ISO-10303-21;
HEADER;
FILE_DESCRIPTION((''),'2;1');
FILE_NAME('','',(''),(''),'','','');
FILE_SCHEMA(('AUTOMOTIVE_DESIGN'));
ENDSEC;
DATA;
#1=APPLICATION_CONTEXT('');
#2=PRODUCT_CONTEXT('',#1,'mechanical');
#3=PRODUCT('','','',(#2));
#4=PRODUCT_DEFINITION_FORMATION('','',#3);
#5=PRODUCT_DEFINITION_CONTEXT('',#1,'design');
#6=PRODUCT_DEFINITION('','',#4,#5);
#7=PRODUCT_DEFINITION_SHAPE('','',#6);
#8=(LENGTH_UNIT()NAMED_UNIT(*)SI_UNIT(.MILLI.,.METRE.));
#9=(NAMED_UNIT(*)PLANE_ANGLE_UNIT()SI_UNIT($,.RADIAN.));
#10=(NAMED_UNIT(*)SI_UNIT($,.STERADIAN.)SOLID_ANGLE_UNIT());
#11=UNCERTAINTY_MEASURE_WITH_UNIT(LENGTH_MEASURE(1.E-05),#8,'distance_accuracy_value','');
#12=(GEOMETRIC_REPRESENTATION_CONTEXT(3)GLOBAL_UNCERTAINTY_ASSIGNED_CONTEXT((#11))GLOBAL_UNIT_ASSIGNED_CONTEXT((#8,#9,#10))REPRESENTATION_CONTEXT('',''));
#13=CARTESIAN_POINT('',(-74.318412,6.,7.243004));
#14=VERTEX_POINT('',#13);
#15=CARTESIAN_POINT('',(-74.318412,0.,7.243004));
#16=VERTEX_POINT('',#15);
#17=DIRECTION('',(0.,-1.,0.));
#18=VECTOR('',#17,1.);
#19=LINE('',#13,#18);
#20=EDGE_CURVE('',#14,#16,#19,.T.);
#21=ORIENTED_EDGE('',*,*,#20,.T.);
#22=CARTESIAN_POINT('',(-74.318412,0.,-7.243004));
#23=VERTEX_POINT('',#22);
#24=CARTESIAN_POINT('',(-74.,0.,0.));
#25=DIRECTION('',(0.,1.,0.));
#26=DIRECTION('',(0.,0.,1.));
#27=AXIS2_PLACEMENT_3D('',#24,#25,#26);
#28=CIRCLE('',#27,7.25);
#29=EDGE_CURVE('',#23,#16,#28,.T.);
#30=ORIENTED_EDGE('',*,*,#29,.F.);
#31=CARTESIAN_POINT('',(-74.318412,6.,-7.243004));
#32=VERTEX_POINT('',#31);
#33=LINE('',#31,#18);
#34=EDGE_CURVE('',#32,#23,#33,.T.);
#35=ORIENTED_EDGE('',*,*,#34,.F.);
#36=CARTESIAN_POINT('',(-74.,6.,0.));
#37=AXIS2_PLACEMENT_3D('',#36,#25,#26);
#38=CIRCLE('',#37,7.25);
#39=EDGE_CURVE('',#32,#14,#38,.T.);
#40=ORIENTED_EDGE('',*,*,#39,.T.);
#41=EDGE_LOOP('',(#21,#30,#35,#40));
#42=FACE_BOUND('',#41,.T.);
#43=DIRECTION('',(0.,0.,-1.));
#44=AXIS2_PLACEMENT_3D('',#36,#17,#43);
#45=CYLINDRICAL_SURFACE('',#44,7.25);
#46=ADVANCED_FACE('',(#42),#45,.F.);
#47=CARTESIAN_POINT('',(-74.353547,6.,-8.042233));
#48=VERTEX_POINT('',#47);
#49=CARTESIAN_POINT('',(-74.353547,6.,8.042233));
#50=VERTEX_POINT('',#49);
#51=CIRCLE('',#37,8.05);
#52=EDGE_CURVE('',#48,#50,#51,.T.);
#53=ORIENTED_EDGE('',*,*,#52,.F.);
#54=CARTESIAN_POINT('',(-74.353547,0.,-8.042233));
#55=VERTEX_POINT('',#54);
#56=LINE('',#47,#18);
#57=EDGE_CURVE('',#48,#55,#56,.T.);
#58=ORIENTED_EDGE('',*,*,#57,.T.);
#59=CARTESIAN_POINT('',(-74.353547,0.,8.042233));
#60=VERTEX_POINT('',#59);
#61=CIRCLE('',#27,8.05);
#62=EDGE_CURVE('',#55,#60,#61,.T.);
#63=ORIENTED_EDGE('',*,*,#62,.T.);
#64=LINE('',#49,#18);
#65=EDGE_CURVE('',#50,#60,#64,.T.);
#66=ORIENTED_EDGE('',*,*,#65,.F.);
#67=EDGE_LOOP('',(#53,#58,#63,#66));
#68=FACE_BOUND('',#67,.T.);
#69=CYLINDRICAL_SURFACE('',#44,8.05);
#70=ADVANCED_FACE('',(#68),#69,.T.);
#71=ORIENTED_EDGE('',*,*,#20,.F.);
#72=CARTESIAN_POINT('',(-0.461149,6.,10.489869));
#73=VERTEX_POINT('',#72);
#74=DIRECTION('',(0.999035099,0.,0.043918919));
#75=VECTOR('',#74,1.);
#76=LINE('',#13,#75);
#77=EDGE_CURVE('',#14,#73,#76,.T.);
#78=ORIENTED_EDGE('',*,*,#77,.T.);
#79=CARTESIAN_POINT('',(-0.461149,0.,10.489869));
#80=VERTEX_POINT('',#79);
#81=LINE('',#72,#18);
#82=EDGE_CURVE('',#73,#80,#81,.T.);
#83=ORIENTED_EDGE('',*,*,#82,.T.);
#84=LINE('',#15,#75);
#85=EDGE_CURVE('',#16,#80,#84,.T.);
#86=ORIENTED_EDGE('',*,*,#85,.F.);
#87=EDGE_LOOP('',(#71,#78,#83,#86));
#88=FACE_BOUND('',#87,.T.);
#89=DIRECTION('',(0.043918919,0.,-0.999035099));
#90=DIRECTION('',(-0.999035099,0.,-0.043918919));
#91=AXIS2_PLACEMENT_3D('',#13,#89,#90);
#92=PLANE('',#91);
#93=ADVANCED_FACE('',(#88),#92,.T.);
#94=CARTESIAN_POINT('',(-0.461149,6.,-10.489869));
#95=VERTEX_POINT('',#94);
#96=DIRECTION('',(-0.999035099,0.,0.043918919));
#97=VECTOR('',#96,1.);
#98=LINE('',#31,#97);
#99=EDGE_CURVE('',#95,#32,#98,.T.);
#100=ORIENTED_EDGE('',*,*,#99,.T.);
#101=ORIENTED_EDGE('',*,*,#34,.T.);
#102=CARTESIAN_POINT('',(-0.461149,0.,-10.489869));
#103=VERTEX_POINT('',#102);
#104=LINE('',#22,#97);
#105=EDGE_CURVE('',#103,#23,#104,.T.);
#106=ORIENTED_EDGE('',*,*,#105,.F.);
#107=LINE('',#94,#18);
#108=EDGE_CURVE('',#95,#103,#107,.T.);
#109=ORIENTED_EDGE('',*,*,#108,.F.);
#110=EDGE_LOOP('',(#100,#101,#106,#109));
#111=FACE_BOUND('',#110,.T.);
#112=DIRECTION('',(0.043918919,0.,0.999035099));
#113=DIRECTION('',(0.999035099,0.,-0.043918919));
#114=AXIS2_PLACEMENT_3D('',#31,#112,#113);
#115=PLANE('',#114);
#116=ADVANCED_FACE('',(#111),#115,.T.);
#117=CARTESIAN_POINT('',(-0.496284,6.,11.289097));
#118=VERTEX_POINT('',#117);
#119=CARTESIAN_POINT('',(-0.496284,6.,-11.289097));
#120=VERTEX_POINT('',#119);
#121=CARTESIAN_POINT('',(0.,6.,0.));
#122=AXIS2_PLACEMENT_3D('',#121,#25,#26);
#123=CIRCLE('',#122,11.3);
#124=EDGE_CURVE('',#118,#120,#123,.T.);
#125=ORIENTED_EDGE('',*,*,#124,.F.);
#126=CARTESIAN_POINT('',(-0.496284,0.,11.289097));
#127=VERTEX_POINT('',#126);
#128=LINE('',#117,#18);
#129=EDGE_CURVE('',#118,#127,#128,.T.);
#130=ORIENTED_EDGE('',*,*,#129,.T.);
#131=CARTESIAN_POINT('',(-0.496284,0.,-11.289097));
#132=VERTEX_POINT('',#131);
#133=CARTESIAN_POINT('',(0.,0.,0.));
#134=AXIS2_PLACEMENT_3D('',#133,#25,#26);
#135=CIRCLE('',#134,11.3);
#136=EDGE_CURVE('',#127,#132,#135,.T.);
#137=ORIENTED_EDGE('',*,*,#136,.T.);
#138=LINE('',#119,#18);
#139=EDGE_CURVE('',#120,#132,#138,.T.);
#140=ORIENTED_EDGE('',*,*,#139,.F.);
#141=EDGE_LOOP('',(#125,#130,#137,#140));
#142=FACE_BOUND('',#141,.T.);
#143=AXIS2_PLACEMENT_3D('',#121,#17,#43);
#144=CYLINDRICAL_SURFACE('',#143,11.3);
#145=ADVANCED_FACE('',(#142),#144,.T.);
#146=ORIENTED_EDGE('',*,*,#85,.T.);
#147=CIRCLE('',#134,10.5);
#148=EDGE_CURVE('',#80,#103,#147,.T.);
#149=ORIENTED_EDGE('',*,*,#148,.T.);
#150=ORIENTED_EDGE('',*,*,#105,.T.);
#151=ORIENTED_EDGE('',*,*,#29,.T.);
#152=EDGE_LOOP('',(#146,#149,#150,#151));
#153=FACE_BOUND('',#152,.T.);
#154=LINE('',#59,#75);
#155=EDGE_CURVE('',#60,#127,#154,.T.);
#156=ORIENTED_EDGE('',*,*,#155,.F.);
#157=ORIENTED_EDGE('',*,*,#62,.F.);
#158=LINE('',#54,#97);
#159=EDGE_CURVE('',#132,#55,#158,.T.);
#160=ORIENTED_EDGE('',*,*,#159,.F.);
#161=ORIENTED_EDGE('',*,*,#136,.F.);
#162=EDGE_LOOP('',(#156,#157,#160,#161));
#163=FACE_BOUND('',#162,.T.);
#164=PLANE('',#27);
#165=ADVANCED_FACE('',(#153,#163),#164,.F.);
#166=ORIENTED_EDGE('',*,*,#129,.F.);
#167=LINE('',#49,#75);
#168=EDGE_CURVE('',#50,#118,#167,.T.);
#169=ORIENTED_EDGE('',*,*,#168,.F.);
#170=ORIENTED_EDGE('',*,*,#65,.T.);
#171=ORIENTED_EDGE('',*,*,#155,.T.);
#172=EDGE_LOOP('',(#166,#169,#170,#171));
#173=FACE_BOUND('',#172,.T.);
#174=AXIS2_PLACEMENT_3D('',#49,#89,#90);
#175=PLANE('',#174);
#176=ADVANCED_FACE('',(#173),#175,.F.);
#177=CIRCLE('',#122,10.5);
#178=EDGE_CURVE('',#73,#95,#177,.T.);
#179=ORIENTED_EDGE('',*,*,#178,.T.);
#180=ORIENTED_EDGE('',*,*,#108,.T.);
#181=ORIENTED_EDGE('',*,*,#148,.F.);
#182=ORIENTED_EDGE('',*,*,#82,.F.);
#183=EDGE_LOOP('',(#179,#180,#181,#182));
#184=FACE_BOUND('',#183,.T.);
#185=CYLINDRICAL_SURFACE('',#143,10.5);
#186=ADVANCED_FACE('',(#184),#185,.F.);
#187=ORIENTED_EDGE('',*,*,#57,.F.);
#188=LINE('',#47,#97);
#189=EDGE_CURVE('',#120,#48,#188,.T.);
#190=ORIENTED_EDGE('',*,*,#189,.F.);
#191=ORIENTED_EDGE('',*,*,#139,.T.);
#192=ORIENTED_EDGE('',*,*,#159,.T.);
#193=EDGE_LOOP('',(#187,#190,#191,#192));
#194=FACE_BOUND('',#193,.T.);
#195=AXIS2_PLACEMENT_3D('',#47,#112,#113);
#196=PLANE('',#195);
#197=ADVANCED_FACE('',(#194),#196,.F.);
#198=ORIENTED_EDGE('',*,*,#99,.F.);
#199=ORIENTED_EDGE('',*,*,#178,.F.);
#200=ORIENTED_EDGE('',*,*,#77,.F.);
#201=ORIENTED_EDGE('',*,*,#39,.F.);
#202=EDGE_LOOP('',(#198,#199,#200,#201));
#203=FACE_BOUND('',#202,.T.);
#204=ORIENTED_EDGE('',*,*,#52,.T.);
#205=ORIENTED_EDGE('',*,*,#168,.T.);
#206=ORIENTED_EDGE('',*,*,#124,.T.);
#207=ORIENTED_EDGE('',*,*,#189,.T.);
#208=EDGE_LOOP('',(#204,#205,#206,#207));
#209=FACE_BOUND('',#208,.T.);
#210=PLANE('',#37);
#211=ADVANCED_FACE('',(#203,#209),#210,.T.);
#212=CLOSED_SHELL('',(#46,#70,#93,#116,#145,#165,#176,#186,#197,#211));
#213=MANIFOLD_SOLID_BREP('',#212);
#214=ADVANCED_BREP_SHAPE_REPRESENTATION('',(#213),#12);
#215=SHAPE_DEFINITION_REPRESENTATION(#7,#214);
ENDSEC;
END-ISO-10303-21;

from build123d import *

# Parameters (mm, degrees)
BOSS_EXTRUDE1_DEPTH = 6


with BuildPart() as part:
    # Sketch1 → Boss-Extrude1 (new body)
    with BuildSketch(Plane(origin=(0, 0, 0), x_dir=(1, 0, 0), z_dir=(0, 1, 0))):
        with BuildLine():
            Line((-74.353547297, 8.042232545), (-0.496283784, 11.289096616))
            ThreePointArc((-0.496283784, 11.289096616), (11.3, 0), (-0.496283784, -11.289096616))
            Line((-0.496283784, -11.289096616), (-74.353547297, -8.042232545))
            ThreePointArc((-74.353547297, -8.042232545), (-82.05, 0), (-74.353547297, 8.042232545))
        make_face()
        with BuildLine():
            Line((-74.318412162, 7.243004466), (-0.461148649, 10.489868537))
            ThreePointArc((-0.461148649, 10.489868537), (10.5, 0), (-0.461148649, -10.489868537))
            Line((-0.461148649, -10.489868537), (-74.318412162, -7.243004466))
            ThreePointArc((-74.318412162, -7.243004466), (-81.25, 0), (-74.318412162, 7.243004466))
        make_face(mode=Mode.SUBTRACT)
    extrude(amount=BOSS_EXTRUDE1_DEPTH)


solid = part.part
